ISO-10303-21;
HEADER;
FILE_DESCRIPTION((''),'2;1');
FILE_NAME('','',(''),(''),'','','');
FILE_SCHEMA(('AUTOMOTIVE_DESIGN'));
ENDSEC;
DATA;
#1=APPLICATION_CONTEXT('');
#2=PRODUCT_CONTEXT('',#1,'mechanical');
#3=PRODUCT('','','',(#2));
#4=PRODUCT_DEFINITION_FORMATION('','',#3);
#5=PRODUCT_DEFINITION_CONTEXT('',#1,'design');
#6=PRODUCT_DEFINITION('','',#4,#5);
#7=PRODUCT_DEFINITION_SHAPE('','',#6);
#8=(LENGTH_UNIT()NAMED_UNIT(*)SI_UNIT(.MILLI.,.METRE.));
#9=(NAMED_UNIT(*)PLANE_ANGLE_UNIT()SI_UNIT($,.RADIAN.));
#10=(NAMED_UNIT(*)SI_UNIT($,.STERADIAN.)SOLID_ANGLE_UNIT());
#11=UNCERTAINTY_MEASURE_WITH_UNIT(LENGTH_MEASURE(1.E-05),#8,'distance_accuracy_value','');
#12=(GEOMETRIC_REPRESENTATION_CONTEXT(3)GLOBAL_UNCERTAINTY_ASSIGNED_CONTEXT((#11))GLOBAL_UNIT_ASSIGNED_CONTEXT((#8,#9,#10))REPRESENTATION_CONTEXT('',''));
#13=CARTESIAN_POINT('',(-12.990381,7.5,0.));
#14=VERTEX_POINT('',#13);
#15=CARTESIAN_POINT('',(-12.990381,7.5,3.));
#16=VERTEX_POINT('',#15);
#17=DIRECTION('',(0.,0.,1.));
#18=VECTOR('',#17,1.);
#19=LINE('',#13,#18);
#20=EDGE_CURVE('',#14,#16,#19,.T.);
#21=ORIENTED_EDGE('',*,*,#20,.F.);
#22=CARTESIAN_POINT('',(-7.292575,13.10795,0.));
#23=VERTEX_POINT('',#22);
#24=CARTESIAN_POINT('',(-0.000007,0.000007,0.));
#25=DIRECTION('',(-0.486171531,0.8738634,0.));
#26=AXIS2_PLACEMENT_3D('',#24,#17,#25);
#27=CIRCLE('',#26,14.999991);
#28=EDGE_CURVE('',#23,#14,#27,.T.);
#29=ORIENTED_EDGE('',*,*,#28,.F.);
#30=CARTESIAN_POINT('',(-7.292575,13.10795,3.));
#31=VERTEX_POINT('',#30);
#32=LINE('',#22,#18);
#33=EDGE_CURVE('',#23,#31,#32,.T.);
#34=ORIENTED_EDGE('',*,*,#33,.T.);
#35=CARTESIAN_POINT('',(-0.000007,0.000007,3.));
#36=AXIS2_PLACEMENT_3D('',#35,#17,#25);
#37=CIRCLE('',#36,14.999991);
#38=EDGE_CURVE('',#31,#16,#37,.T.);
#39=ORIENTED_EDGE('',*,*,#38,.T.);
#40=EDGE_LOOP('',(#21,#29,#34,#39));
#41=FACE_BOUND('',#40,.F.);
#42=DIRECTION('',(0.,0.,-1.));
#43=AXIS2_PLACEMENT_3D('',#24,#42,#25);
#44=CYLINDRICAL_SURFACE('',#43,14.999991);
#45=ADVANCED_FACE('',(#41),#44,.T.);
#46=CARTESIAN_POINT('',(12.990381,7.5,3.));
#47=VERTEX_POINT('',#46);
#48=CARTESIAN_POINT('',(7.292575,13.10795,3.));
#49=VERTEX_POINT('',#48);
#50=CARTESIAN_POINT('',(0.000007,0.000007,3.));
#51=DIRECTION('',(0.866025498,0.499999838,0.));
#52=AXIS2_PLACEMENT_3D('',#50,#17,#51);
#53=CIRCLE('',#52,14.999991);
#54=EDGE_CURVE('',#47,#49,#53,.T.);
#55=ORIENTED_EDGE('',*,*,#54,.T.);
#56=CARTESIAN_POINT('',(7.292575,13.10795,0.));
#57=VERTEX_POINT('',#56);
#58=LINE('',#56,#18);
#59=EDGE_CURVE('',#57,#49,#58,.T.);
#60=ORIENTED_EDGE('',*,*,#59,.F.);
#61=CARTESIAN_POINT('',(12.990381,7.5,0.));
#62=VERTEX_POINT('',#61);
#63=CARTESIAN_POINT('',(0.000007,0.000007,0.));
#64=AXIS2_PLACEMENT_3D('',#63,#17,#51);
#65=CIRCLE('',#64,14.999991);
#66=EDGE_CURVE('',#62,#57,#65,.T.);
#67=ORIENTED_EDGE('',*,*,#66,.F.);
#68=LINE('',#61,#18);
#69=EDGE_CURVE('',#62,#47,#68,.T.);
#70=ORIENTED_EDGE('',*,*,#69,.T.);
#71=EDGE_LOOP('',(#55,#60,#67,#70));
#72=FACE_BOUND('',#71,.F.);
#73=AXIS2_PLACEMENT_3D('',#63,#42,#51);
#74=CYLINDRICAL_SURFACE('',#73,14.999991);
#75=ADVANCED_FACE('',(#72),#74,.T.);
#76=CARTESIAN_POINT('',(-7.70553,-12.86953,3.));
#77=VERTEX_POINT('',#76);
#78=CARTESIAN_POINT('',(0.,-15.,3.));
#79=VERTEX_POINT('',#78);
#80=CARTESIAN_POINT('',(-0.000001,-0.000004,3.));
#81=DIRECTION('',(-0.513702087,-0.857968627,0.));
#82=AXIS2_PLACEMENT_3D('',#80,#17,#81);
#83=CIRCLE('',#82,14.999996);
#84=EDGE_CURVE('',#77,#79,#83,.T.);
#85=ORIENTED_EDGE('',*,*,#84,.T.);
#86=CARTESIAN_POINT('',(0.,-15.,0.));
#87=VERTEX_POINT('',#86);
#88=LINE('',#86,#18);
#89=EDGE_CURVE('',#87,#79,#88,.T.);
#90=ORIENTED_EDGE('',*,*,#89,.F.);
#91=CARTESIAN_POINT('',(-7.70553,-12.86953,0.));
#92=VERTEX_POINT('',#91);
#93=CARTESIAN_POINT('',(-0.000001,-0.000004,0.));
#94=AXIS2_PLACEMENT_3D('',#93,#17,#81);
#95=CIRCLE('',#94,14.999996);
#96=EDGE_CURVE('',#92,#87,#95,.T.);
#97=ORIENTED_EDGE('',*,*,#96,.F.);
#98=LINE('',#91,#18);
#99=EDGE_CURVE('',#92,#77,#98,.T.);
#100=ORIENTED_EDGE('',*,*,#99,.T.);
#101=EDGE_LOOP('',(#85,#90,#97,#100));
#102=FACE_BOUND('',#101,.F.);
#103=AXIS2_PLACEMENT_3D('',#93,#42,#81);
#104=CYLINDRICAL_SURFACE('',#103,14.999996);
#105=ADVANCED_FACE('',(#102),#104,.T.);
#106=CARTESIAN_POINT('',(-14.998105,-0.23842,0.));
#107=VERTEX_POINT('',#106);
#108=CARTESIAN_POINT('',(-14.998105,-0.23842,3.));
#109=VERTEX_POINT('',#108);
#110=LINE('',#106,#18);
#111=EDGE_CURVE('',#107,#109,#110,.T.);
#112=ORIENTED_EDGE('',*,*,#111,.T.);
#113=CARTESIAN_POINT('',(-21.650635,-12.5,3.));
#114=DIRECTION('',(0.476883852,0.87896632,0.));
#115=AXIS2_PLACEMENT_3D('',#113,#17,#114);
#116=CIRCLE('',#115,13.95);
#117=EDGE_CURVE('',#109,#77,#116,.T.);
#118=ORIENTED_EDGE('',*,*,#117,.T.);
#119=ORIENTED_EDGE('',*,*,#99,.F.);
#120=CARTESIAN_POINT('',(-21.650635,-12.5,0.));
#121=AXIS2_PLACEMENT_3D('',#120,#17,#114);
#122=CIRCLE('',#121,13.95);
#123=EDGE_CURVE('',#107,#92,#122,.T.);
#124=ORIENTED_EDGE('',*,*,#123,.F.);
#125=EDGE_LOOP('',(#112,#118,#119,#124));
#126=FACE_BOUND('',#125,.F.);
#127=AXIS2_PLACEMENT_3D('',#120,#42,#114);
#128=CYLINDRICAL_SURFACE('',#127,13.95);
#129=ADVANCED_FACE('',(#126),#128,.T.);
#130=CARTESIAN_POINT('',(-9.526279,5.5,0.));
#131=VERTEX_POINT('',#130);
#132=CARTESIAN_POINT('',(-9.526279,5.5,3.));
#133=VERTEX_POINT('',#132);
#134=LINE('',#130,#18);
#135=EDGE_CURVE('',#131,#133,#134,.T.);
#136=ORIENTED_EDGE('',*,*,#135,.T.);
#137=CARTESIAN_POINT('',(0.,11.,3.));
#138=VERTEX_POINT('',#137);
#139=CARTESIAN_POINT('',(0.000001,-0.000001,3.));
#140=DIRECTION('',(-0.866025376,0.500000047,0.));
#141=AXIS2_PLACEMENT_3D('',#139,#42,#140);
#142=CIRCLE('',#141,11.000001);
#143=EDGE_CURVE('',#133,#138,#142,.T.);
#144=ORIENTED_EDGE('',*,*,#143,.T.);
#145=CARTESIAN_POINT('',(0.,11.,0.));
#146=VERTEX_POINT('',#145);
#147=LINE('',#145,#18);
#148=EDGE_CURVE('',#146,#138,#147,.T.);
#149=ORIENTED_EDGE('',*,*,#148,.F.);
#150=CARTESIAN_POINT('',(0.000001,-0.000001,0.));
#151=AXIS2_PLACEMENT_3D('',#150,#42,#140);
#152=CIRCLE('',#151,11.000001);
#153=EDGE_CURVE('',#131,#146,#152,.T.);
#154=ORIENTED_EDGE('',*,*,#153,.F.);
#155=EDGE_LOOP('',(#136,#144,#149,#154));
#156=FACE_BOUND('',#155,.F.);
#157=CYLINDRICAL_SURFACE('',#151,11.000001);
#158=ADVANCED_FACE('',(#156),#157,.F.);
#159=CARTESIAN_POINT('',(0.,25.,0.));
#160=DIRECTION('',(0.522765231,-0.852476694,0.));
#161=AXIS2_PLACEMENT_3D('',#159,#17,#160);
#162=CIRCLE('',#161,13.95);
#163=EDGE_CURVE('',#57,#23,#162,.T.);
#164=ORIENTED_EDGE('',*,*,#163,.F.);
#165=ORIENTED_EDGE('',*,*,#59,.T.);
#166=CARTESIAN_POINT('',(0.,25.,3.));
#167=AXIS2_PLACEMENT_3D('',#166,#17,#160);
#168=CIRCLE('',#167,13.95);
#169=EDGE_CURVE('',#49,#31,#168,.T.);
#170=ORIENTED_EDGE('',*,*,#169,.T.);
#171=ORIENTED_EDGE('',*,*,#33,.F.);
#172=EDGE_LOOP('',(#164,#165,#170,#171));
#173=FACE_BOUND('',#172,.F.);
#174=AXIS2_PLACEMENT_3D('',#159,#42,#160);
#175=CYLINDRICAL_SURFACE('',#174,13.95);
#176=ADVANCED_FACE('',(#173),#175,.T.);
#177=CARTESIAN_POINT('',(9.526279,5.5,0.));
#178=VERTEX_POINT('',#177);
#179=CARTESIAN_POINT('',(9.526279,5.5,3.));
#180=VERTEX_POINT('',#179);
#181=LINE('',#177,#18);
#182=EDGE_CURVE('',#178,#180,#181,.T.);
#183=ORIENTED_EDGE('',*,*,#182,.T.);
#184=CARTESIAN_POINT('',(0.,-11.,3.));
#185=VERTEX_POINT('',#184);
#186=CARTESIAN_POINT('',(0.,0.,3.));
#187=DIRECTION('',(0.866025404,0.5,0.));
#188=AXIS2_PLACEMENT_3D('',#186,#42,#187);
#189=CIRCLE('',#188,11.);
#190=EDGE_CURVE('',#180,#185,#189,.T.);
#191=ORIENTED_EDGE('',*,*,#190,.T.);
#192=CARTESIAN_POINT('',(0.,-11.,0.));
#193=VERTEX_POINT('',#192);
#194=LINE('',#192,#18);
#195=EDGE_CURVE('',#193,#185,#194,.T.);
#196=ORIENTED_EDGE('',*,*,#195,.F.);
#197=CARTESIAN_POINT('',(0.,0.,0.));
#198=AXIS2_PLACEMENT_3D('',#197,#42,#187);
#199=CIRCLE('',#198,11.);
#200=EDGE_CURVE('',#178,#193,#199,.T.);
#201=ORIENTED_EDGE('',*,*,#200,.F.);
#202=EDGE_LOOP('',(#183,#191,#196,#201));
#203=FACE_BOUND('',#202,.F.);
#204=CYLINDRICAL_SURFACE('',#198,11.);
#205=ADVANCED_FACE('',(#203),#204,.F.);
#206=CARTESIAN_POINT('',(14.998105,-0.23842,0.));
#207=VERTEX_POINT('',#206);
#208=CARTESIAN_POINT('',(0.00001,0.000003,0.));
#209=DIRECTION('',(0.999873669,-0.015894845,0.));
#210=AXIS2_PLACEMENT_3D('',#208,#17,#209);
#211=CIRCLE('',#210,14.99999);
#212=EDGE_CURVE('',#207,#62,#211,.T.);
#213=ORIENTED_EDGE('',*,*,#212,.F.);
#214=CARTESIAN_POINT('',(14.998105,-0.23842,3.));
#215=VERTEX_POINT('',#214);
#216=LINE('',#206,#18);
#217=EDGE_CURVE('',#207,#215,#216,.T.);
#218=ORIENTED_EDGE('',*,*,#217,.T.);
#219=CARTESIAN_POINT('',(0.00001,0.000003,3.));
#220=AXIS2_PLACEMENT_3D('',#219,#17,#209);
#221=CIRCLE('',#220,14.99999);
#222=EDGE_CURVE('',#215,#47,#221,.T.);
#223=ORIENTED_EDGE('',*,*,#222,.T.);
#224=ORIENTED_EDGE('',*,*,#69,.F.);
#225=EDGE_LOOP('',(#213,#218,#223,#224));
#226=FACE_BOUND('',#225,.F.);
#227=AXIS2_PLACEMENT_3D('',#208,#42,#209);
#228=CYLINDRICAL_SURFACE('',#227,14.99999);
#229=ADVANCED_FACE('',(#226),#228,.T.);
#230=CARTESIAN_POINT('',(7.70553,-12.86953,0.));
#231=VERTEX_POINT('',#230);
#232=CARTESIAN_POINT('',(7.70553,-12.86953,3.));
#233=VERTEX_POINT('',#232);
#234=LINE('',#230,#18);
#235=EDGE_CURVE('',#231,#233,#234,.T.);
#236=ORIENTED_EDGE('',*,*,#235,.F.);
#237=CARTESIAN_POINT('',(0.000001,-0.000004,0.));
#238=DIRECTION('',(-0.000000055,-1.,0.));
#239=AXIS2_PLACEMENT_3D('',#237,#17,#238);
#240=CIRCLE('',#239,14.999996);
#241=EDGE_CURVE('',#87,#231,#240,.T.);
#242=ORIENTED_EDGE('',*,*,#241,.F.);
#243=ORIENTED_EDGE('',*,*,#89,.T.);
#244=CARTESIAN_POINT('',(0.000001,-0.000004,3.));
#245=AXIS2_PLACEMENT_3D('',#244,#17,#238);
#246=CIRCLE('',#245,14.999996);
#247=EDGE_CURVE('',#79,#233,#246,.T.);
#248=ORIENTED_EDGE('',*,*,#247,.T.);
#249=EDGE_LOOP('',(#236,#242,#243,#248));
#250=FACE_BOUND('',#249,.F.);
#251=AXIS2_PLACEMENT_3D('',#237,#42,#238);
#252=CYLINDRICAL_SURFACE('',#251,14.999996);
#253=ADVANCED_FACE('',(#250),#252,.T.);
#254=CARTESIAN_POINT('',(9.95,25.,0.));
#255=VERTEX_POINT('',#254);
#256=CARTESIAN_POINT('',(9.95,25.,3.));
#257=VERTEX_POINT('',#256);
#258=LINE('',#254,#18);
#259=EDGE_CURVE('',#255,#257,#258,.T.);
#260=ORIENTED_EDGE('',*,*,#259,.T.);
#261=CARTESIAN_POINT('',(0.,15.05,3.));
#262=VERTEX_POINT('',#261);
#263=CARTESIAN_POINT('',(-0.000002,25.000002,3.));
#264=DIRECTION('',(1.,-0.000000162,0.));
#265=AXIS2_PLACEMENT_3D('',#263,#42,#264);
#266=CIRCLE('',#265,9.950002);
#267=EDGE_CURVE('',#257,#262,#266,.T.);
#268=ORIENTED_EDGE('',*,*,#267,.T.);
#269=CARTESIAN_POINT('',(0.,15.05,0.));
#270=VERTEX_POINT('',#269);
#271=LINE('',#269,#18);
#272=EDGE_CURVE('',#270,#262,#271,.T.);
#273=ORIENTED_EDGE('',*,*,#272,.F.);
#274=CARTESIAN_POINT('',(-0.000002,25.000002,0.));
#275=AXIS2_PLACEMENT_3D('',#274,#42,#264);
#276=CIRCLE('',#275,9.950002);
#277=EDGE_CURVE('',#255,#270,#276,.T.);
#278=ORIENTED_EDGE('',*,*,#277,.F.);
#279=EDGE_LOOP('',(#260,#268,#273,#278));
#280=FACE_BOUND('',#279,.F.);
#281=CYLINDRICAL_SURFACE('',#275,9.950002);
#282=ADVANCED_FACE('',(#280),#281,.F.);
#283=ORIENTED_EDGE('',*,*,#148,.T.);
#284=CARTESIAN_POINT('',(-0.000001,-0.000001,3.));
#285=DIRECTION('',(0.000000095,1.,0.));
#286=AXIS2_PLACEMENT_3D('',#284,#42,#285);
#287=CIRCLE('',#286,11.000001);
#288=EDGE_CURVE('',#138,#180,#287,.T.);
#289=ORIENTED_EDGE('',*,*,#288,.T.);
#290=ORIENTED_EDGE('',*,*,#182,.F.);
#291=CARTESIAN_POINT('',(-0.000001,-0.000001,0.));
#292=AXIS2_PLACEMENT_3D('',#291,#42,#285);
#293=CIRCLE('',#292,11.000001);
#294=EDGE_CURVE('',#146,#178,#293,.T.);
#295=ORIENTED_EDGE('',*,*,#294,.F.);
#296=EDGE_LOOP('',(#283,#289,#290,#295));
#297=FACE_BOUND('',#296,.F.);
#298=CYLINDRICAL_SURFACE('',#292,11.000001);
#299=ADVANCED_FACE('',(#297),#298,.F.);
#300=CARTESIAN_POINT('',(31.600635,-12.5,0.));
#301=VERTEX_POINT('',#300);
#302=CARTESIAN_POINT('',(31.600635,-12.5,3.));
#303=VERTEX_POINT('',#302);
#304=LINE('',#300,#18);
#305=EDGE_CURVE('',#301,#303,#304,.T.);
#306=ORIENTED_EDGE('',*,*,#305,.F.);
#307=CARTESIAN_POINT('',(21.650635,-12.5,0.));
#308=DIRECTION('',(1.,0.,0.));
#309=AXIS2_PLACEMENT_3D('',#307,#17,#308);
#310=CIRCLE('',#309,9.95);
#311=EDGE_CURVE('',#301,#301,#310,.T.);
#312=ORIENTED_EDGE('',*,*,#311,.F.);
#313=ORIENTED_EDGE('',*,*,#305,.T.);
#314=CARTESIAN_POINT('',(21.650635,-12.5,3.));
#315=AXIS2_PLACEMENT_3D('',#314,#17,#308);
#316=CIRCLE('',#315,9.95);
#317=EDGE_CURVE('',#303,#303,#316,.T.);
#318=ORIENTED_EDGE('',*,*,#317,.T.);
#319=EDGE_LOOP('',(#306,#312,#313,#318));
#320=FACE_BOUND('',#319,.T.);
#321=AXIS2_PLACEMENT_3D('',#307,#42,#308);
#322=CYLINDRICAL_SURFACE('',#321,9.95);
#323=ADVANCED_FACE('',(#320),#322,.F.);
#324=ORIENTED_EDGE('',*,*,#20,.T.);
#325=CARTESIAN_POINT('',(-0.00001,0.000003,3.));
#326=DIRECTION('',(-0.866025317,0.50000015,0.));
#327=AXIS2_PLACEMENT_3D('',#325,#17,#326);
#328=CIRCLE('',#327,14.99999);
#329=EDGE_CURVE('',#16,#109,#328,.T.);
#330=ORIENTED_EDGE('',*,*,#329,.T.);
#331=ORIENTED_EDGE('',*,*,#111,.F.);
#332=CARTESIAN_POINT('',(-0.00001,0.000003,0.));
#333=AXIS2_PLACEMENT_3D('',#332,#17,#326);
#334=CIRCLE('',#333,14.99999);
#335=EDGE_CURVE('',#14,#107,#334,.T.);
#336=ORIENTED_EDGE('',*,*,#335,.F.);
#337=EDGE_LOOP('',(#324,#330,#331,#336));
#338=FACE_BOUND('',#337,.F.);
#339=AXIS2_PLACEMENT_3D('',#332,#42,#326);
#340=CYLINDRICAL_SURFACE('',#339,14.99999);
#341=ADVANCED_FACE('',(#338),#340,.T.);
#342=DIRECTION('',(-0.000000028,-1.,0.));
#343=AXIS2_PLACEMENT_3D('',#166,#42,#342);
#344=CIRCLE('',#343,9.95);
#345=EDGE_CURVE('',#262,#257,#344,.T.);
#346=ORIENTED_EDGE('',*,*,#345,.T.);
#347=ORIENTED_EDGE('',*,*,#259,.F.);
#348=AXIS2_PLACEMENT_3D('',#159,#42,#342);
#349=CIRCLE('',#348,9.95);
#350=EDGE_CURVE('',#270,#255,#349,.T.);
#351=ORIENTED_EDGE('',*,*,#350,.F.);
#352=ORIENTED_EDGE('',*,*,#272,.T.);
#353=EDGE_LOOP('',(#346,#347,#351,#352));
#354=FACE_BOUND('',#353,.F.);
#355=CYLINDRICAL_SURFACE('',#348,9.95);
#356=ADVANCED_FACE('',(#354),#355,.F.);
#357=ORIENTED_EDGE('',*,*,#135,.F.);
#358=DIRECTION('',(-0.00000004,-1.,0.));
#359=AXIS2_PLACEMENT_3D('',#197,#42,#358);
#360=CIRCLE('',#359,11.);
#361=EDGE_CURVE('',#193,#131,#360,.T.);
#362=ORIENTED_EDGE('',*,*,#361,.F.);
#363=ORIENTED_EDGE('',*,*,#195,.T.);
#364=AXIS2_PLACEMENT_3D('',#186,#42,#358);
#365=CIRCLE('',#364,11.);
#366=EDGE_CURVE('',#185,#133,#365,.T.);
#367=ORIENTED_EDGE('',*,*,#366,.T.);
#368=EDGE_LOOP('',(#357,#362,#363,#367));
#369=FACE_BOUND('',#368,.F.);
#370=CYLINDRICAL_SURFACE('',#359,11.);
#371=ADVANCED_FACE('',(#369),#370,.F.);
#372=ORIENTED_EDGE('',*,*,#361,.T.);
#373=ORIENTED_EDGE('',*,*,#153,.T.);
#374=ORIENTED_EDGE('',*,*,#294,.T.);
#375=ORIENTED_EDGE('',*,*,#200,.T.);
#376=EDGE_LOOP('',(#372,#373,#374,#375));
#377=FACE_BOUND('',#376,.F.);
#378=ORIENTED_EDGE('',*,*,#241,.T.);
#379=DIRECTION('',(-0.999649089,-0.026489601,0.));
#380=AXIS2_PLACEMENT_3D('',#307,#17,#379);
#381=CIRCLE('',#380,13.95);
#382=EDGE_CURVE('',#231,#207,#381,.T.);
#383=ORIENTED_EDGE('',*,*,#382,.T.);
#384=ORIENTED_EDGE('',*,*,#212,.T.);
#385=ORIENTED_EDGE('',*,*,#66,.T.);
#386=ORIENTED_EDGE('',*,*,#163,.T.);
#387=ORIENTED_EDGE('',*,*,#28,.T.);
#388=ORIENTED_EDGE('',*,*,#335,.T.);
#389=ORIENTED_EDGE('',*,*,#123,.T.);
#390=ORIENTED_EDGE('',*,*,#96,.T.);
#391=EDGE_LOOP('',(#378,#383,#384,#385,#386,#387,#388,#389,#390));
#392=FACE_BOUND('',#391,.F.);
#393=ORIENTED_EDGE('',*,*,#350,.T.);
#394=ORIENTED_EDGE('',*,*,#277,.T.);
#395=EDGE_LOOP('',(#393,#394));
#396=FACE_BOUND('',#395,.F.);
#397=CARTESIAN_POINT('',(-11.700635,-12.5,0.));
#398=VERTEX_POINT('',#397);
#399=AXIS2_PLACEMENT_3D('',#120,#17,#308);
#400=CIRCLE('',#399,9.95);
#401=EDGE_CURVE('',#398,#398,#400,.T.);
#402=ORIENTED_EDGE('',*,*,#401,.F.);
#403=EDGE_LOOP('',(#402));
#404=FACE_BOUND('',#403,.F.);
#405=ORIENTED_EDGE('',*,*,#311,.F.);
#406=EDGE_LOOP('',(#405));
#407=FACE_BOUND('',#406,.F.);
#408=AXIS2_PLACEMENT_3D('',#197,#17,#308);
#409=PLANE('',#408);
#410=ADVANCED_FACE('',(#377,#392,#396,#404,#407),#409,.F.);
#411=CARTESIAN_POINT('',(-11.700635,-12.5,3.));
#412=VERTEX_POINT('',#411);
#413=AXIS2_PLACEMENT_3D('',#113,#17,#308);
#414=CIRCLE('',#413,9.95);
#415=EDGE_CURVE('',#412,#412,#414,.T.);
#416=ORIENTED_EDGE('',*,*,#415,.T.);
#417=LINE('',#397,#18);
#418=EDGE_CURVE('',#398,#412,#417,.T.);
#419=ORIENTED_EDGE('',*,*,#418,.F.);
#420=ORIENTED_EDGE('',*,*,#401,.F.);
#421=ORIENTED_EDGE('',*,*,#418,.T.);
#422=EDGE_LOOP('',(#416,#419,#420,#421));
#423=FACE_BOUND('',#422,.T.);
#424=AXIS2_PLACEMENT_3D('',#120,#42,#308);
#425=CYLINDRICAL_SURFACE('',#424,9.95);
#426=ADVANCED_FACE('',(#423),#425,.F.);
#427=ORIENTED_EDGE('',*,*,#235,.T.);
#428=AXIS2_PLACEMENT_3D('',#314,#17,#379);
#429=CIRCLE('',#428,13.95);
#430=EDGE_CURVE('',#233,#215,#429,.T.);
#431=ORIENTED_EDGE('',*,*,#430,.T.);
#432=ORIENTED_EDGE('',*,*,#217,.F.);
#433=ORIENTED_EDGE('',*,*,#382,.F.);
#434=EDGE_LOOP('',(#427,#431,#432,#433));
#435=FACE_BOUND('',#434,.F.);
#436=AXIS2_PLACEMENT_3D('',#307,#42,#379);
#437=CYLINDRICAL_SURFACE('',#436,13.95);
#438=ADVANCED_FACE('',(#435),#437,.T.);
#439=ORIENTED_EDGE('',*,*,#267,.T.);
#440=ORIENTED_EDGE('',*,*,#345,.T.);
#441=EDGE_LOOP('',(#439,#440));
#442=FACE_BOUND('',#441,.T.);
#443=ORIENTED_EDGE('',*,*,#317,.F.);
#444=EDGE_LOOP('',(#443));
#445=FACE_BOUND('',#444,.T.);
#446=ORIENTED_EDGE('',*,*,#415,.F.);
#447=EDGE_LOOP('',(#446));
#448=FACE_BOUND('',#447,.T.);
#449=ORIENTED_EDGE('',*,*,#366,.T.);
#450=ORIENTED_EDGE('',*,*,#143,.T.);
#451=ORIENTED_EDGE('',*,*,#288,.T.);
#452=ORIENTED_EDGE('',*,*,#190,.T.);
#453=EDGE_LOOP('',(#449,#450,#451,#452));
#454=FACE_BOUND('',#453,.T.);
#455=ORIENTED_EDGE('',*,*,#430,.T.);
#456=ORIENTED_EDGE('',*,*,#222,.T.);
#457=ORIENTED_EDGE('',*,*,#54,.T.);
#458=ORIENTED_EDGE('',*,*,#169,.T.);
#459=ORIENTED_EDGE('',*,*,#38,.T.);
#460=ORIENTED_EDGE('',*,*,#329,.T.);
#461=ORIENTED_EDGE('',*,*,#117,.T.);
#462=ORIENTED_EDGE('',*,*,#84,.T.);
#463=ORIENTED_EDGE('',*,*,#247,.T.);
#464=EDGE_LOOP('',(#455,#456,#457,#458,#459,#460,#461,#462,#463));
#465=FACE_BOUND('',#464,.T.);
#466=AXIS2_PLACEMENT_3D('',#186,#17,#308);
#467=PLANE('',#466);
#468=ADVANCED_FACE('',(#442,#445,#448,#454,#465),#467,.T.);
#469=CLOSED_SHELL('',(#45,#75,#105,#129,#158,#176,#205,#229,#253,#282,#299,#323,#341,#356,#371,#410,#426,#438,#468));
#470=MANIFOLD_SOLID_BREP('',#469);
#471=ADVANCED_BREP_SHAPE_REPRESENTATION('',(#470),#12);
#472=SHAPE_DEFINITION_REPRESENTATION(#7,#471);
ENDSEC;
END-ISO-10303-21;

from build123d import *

# Parameters (mm, degrees)
F0_R     = 9.95
F1_DEPTH = 3


with BuildPart() as f1:
    # F0 (on Top) → F1 (new body)
    with BuildSketch(Plane.XY):
        with BuildLine():
            ThreePointArc((7.292575, 13.10795), (0, 38.95), (-7.292575, 13.10795))
            ThreePointArc((-7.292575, 13.10795), (-10.52197, 10.690564), (-12.990381, 7.5))
            ThreePointArc((-12.990381, 7.5), (-14.519285, 3.767011), (-14.998105, -0.23842))
            ThreePointArc((-14.998105, -0.23842), (-33.731689, -19.475), (-7.70553, -12.86953))
            ThreePointArc((-7.70553, -12.86953), (-3.997315, -14.457575), (0, -15))
            ThreePointArc((0, -15), (3.997315, -14.457575), (7.70553, -12.86953))
            ThreePointArc((7.70553, -12.86953), (33.731689, -19.475), (14.998105, -0.23842))
            ThreePointArc((14.998105, -0.23842), (14.519285, 3.767011), (12.990381, 7.5))
            ThreePointArc((12.990381, 7.5), (10.52197, 10.690564), (7.292575, 13.10795))
        make_face()
        with Locations((-21.650635, -12.5)):
            Circle(F0_R, mode=Mode.SUBTRACT)
        with Locations((21.650635, -12.5)):
            Circle(F0_R, mode=Mode.SUBTRACT)
        with BuildLine():
            ThreePointArc((0, 11), (5.5, 9.526279), (9.526279, 5.5))
            ThreePointArc((9.526279, 5.5), (9.526279, -5.5), (0, -11))
            ThreePointArc((0, -11), (-9.526279, -5.5), (-9.526279, 5.5))
            ThreePointArc((-9.526279, 5.5), (-5.5, 9.526279), (0, 11))
        make_face(mode=Mode.SUBTRACT)
        with BuildLine():
            ThreePointArc((9.95, 25), (7.035712, 17.964288), (0, 15.05))
            ThreePointArc((0, 15.05), (-7.035712, 32.035712), (9.95, 25))
        make_face(mode=Mode.SUBTRACT)
    extrude(amount=F1_DEPTH)


solid = f1.part
